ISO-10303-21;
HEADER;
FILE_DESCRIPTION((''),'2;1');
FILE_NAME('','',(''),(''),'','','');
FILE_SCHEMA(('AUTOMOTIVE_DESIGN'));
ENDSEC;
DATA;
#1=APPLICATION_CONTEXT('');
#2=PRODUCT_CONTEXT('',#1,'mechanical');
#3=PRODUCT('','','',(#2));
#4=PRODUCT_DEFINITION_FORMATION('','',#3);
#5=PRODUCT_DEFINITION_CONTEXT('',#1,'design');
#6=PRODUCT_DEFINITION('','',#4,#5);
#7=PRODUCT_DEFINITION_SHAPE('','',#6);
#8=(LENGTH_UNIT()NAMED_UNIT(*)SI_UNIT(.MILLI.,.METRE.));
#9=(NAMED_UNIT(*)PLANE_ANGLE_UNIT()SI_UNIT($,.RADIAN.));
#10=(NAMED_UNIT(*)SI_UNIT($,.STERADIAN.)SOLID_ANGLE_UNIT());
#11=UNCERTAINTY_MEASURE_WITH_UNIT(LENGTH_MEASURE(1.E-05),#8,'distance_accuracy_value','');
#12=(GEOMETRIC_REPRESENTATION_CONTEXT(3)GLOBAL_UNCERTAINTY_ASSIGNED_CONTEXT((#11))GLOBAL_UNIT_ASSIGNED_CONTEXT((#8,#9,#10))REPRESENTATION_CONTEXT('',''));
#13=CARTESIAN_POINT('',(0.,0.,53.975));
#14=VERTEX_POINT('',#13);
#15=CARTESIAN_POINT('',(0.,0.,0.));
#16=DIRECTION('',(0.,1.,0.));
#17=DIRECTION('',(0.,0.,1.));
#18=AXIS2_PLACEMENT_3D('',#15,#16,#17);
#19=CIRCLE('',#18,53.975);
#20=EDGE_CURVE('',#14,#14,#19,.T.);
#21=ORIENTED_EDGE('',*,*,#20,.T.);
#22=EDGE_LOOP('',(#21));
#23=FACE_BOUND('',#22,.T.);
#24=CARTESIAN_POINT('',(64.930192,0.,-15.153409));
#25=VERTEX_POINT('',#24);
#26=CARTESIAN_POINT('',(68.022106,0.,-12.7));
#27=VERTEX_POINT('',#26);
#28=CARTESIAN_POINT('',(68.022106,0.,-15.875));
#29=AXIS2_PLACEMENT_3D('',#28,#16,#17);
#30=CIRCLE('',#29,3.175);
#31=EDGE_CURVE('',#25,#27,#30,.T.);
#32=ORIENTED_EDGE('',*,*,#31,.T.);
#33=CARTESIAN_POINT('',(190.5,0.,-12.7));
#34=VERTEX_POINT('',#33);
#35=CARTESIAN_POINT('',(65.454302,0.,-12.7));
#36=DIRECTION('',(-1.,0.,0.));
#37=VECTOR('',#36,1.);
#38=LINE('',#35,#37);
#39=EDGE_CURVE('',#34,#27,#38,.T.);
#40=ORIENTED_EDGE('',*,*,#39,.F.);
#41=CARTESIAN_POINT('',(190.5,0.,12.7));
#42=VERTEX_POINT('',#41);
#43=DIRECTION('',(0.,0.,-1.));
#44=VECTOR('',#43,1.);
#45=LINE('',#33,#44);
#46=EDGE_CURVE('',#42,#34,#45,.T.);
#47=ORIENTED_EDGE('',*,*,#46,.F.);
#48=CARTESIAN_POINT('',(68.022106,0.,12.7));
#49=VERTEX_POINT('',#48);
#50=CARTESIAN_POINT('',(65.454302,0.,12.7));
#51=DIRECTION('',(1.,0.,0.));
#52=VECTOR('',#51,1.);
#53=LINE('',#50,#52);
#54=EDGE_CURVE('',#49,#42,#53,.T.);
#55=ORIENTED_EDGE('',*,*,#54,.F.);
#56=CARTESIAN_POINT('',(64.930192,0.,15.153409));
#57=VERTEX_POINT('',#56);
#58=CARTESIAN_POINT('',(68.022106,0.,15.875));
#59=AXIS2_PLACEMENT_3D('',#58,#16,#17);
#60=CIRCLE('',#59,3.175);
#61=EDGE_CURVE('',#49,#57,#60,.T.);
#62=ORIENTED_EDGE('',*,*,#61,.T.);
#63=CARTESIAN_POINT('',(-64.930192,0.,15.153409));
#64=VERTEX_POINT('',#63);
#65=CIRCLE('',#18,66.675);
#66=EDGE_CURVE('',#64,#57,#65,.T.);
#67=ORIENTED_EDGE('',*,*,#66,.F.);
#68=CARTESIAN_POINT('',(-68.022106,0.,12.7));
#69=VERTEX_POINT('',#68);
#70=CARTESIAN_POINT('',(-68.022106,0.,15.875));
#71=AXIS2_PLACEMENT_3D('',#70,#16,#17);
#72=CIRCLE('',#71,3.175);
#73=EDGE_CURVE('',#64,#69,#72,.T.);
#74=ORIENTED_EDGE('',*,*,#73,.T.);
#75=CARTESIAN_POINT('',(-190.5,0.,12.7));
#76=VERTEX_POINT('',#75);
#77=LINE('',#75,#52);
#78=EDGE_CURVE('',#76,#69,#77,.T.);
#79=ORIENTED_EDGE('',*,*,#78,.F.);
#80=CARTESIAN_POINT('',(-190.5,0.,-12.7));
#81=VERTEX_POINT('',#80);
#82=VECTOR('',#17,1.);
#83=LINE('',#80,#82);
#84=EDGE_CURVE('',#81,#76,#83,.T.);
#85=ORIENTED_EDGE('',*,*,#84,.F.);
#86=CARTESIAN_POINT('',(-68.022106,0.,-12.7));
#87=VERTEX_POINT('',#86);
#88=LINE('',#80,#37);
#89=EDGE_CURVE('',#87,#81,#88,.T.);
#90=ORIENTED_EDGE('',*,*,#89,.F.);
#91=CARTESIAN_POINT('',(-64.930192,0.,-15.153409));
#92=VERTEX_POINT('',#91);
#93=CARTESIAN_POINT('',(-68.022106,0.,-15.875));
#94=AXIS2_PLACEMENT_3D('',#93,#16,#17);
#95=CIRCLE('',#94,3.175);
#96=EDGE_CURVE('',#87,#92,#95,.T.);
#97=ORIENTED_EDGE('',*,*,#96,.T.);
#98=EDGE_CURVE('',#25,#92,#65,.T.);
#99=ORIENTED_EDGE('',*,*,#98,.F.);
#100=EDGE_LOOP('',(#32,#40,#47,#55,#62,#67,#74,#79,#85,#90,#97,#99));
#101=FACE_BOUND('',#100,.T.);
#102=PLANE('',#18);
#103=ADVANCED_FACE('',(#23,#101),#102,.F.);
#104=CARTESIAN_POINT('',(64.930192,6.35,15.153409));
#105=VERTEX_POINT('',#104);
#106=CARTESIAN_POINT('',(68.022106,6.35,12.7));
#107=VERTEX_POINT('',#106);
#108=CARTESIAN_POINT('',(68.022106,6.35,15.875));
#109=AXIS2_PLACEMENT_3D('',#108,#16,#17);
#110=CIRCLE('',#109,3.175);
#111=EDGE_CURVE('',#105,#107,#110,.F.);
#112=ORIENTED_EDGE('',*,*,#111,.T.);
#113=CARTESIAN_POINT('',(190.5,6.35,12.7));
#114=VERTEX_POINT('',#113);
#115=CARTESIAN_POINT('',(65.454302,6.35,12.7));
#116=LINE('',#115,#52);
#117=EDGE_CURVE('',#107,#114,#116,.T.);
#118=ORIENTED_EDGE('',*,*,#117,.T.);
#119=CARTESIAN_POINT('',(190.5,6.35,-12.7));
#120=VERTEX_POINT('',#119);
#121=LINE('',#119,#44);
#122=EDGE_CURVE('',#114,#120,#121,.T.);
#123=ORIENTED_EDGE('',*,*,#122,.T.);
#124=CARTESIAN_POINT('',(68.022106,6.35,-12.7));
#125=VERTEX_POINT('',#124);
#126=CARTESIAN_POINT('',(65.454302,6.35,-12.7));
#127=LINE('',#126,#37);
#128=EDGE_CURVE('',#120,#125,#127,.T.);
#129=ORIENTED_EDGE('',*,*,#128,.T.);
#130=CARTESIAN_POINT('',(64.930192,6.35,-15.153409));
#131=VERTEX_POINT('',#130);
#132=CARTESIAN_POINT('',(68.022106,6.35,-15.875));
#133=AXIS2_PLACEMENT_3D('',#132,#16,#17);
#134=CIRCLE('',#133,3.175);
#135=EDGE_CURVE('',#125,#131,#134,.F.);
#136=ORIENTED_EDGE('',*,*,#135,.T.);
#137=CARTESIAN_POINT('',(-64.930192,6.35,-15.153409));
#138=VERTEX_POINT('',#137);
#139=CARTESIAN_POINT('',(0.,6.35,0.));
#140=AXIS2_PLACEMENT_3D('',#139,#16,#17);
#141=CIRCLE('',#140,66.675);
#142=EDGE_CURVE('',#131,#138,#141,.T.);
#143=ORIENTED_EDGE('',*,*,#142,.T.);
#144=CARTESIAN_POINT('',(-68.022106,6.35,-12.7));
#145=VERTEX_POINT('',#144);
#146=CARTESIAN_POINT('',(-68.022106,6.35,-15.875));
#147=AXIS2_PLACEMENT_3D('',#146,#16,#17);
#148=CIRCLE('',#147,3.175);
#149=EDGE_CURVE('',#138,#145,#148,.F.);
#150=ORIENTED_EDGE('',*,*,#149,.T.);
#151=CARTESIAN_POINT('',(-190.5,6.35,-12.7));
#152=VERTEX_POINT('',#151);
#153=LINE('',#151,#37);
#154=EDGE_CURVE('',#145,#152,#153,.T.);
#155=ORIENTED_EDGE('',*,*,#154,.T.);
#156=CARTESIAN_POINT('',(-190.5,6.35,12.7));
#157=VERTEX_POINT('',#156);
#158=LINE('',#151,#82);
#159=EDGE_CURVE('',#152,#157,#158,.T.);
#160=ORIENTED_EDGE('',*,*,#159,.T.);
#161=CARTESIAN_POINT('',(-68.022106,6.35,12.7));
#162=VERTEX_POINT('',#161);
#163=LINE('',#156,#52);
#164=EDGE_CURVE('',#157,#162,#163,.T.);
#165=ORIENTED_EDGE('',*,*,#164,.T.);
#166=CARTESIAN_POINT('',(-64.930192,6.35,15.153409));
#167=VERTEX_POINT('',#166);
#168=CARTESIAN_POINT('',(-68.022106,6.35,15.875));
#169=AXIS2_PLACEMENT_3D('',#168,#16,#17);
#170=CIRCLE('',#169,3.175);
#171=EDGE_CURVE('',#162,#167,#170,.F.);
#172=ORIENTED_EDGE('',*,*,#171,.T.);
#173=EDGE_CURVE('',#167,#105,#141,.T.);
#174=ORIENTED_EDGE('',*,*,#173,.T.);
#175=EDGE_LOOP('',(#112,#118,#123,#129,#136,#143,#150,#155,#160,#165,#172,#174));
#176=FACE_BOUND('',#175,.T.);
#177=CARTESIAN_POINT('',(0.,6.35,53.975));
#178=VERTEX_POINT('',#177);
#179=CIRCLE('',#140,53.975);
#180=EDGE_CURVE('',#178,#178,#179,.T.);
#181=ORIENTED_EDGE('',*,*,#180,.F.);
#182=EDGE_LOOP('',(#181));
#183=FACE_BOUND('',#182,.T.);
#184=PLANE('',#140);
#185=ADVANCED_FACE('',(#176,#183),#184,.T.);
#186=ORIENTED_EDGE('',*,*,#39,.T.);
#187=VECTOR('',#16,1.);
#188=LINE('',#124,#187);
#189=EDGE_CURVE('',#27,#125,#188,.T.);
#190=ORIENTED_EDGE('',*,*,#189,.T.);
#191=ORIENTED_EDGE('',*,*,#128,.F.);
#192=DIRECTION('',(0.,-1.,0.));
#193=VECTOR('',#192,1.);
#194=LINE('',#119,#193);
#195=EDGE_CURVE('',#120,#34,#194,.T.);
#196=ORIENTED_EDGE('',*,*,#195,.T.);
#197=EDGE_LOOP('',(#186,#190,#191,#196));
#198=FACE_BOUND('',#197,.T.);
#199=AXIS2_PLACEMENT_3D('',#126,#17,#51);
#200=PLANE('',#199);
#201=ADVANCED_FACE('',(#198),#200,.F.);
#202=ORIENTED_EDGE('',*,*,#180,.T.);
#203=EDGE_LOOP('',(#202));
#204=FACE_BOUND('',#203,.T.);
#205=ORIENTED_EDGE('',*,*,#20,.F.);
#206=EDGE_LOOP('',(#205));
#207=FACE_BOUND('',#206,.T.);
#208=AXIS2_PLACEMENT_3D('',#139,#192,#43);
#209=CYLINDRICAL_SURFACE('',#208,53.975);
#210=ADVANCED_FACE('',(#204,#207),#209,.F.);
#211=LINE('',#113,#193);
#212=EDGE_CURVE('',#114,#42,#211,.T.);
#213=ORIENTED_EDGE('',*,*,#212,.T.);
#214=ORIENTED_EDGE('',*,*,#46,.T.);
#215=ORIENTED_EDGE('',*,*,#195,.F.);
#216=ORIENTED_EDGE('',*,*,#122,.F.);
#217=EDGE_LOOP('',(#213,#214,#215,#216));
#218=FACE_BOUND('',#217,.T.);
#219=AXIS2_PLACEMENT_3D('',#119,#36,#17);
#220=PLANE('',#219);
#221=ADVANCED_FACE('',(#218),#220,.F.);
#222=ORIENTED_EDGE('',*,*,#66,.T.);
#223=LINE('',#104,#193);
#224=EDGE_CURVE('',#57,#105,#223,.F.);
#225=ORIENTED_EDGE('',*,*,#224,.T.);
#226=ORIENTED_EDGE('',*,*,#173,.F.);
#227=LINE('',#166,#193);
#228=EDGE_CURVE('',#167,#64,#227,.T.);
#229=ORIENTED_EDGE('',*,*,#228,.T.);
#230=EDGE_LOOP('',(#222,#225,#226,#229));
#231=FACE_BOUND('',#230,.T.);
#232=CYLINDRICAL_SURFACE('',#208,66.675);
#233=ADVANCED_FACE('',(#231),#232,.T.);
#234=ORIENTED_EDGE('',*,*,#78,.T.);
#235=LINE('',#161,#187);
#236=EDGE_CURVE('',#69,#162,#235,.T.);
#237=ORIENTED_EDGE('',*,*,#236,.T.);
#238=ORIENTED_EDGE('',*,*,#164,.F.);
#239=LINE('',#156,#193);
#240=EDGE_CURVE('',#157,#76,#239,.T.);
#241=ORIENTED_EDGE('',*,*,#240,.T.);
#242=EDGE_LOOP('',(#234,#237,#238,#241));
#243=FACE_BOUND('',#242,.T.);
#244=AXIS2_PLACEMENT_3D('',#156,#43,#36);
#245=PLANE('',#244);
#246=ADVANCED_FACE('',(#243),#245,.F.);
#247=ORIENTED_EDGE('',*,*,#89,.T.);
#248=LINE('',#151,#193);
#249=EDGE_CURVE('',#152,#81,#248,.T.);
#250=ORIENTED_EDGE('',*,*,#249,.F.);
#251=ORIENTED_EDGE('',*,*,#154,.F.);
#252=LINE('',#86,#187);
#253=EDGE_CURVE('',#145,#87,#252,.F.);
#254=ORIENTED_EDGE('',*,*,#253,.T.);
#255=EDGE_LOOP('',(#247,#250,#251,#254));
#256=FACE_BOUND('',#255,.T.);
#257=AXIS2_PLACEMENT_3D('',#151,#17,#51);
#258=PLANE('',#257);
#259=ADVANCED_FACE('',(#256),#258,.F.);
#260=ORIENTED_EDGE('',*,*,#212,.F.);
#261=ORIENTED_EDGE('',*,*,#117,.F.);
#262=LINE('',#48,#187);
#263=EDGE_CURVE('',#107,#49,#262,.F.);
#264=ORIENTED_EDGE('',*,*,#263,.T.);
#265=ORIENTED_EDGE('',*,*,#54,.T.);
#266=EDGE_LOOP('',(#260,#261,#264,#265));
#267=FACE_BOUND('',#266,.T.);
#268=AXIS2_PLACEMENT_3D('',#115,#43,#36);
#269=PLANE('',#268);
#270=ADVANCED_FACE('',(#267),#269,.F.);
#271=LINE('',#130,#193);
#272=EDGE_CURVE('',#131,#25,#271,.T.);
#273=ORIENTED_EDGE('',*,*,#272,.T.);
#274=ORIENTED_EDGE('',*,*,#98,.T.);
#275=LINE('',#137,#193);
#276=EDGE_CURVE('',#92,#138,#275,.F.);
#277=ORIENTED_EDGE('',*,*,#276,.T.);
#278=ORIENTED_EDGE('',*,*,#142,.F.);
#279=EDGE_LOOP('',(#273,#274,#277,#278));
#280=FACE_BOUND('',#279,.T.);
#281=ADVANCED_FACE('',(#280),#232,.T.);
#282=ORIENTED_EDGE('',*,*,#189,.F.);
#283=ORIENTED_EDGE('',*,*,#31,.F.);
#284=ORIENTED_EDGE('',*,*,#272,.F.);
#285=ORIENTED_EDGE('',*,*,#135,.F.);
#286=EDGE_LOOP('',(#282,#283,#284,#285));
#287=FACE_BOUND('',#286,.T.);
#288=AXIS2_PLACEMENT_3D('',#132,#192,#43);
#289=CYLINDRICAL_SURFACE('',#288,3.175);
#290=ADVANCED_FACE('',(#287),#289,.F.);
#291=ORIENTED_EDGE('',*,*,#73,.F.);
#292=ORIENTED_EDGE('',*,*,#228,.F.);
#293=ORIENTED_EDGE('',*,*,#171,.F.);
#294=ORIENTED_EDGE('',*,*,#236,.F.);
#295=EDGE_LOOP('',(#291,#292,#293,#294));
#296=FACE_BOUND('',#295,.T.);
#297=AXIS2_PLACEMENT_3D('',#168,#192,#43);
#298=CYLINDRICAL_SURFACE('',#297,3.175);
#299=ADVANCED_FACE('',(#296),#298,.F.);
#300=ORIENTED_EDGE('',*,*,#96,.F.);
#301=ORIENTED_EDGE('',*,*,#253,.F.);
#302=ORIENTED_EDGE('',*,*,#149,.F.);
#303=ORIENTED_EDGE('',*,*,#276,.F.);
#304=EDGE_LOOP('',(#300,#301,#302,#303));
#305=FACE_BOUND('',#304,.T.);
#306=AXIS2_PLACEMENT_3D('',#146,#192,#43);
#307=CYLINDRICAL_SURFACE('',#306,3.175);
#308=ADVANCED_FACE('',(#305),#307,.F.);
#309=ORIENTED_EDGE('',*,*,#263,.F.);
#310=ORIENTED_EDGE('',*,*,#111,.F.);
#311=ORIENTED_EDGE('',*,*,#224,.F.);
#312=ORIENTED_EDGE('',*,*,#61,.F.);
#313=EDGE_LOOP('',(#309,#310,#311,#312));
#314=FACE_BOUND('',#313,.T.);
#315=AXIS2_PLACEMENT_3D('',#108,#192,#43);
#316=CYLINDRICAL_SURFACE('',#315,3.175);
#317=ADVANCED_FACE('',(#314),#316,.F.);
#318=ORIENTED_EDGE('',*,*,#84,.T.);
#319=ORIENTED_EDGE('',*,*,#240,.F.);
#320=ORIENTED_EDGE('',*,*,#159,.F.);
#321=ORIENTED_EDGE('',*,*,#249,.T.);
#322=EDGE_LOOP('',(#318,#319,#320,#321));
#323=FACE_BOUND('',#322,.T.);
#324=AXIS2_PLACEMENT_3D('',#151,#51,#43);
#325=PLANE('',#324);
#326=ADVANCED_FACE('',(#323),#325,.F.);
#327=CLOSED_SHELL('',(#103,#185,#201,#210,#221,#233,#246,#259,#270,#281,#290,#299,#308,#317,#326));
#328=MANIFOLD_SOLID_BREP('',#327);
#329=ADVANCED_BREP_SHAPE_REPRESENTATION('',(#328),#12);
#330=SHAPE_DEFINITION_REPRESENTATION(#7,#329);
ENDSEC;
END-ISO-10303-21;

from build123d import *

# Parameters (mm, degrees)
SKETCH1_R           = 53.975
BOSS_EXTRUDE1_DEPTH = 6.35
FILLET1_R           = 3.175


with BuildPart() as part:
    # Sketch1 → Boss-Extrude1 (new body)
    with BuildSketch(Plane(origin=(0, 0, 0), x_dir=(1, 0, 0), z_dir=(0, 1, 0))):
        with BuildLine():
            Line((65.454301807, 12.7), (190.5, 12.7))
            Line((190.5, 12.7), (190.5, -12.7))
            Line((190.5, -12.7), (65.454301807, -12.7))
            ThreePointArc((65.454301807, -12.7), (0, -66.675), (-65.454301807, -12.7))
            Line((-65.454301807, -12.7), (-190.5, -12.7))
            Line((-190.5, -12.7), (-190.5, 12.7))
            Line((-190.5, 12.7), (-65.454301807, 12.7))
            ThreePointArc((-65.454301807, 12.7), (0, 66.675), (65.454301807, 12.7))
        make_face()
        with Locations(Location((0, 0, 0), (0, 0, 270))):
            Circle(SKETCH1_R, mode=Mode.SUBTRACT)
    extrude(amount=BOSS_EXTRUDE1_DEPTH)

    # Fillet1
    fillet1_edges = [part.edges().sort_by_distance(p)[0] for p in [
        (65.454301807, 3.175, 12.7),
        (-65.454301807, 3.175, 12.7),
        (-65.454301807, 3.175, -12.7),
        (65.454301807, 3.175, -12.7),
    ]]
    fillet(fillet1_edges, radius=FILLET1_R)


solid = part.part
